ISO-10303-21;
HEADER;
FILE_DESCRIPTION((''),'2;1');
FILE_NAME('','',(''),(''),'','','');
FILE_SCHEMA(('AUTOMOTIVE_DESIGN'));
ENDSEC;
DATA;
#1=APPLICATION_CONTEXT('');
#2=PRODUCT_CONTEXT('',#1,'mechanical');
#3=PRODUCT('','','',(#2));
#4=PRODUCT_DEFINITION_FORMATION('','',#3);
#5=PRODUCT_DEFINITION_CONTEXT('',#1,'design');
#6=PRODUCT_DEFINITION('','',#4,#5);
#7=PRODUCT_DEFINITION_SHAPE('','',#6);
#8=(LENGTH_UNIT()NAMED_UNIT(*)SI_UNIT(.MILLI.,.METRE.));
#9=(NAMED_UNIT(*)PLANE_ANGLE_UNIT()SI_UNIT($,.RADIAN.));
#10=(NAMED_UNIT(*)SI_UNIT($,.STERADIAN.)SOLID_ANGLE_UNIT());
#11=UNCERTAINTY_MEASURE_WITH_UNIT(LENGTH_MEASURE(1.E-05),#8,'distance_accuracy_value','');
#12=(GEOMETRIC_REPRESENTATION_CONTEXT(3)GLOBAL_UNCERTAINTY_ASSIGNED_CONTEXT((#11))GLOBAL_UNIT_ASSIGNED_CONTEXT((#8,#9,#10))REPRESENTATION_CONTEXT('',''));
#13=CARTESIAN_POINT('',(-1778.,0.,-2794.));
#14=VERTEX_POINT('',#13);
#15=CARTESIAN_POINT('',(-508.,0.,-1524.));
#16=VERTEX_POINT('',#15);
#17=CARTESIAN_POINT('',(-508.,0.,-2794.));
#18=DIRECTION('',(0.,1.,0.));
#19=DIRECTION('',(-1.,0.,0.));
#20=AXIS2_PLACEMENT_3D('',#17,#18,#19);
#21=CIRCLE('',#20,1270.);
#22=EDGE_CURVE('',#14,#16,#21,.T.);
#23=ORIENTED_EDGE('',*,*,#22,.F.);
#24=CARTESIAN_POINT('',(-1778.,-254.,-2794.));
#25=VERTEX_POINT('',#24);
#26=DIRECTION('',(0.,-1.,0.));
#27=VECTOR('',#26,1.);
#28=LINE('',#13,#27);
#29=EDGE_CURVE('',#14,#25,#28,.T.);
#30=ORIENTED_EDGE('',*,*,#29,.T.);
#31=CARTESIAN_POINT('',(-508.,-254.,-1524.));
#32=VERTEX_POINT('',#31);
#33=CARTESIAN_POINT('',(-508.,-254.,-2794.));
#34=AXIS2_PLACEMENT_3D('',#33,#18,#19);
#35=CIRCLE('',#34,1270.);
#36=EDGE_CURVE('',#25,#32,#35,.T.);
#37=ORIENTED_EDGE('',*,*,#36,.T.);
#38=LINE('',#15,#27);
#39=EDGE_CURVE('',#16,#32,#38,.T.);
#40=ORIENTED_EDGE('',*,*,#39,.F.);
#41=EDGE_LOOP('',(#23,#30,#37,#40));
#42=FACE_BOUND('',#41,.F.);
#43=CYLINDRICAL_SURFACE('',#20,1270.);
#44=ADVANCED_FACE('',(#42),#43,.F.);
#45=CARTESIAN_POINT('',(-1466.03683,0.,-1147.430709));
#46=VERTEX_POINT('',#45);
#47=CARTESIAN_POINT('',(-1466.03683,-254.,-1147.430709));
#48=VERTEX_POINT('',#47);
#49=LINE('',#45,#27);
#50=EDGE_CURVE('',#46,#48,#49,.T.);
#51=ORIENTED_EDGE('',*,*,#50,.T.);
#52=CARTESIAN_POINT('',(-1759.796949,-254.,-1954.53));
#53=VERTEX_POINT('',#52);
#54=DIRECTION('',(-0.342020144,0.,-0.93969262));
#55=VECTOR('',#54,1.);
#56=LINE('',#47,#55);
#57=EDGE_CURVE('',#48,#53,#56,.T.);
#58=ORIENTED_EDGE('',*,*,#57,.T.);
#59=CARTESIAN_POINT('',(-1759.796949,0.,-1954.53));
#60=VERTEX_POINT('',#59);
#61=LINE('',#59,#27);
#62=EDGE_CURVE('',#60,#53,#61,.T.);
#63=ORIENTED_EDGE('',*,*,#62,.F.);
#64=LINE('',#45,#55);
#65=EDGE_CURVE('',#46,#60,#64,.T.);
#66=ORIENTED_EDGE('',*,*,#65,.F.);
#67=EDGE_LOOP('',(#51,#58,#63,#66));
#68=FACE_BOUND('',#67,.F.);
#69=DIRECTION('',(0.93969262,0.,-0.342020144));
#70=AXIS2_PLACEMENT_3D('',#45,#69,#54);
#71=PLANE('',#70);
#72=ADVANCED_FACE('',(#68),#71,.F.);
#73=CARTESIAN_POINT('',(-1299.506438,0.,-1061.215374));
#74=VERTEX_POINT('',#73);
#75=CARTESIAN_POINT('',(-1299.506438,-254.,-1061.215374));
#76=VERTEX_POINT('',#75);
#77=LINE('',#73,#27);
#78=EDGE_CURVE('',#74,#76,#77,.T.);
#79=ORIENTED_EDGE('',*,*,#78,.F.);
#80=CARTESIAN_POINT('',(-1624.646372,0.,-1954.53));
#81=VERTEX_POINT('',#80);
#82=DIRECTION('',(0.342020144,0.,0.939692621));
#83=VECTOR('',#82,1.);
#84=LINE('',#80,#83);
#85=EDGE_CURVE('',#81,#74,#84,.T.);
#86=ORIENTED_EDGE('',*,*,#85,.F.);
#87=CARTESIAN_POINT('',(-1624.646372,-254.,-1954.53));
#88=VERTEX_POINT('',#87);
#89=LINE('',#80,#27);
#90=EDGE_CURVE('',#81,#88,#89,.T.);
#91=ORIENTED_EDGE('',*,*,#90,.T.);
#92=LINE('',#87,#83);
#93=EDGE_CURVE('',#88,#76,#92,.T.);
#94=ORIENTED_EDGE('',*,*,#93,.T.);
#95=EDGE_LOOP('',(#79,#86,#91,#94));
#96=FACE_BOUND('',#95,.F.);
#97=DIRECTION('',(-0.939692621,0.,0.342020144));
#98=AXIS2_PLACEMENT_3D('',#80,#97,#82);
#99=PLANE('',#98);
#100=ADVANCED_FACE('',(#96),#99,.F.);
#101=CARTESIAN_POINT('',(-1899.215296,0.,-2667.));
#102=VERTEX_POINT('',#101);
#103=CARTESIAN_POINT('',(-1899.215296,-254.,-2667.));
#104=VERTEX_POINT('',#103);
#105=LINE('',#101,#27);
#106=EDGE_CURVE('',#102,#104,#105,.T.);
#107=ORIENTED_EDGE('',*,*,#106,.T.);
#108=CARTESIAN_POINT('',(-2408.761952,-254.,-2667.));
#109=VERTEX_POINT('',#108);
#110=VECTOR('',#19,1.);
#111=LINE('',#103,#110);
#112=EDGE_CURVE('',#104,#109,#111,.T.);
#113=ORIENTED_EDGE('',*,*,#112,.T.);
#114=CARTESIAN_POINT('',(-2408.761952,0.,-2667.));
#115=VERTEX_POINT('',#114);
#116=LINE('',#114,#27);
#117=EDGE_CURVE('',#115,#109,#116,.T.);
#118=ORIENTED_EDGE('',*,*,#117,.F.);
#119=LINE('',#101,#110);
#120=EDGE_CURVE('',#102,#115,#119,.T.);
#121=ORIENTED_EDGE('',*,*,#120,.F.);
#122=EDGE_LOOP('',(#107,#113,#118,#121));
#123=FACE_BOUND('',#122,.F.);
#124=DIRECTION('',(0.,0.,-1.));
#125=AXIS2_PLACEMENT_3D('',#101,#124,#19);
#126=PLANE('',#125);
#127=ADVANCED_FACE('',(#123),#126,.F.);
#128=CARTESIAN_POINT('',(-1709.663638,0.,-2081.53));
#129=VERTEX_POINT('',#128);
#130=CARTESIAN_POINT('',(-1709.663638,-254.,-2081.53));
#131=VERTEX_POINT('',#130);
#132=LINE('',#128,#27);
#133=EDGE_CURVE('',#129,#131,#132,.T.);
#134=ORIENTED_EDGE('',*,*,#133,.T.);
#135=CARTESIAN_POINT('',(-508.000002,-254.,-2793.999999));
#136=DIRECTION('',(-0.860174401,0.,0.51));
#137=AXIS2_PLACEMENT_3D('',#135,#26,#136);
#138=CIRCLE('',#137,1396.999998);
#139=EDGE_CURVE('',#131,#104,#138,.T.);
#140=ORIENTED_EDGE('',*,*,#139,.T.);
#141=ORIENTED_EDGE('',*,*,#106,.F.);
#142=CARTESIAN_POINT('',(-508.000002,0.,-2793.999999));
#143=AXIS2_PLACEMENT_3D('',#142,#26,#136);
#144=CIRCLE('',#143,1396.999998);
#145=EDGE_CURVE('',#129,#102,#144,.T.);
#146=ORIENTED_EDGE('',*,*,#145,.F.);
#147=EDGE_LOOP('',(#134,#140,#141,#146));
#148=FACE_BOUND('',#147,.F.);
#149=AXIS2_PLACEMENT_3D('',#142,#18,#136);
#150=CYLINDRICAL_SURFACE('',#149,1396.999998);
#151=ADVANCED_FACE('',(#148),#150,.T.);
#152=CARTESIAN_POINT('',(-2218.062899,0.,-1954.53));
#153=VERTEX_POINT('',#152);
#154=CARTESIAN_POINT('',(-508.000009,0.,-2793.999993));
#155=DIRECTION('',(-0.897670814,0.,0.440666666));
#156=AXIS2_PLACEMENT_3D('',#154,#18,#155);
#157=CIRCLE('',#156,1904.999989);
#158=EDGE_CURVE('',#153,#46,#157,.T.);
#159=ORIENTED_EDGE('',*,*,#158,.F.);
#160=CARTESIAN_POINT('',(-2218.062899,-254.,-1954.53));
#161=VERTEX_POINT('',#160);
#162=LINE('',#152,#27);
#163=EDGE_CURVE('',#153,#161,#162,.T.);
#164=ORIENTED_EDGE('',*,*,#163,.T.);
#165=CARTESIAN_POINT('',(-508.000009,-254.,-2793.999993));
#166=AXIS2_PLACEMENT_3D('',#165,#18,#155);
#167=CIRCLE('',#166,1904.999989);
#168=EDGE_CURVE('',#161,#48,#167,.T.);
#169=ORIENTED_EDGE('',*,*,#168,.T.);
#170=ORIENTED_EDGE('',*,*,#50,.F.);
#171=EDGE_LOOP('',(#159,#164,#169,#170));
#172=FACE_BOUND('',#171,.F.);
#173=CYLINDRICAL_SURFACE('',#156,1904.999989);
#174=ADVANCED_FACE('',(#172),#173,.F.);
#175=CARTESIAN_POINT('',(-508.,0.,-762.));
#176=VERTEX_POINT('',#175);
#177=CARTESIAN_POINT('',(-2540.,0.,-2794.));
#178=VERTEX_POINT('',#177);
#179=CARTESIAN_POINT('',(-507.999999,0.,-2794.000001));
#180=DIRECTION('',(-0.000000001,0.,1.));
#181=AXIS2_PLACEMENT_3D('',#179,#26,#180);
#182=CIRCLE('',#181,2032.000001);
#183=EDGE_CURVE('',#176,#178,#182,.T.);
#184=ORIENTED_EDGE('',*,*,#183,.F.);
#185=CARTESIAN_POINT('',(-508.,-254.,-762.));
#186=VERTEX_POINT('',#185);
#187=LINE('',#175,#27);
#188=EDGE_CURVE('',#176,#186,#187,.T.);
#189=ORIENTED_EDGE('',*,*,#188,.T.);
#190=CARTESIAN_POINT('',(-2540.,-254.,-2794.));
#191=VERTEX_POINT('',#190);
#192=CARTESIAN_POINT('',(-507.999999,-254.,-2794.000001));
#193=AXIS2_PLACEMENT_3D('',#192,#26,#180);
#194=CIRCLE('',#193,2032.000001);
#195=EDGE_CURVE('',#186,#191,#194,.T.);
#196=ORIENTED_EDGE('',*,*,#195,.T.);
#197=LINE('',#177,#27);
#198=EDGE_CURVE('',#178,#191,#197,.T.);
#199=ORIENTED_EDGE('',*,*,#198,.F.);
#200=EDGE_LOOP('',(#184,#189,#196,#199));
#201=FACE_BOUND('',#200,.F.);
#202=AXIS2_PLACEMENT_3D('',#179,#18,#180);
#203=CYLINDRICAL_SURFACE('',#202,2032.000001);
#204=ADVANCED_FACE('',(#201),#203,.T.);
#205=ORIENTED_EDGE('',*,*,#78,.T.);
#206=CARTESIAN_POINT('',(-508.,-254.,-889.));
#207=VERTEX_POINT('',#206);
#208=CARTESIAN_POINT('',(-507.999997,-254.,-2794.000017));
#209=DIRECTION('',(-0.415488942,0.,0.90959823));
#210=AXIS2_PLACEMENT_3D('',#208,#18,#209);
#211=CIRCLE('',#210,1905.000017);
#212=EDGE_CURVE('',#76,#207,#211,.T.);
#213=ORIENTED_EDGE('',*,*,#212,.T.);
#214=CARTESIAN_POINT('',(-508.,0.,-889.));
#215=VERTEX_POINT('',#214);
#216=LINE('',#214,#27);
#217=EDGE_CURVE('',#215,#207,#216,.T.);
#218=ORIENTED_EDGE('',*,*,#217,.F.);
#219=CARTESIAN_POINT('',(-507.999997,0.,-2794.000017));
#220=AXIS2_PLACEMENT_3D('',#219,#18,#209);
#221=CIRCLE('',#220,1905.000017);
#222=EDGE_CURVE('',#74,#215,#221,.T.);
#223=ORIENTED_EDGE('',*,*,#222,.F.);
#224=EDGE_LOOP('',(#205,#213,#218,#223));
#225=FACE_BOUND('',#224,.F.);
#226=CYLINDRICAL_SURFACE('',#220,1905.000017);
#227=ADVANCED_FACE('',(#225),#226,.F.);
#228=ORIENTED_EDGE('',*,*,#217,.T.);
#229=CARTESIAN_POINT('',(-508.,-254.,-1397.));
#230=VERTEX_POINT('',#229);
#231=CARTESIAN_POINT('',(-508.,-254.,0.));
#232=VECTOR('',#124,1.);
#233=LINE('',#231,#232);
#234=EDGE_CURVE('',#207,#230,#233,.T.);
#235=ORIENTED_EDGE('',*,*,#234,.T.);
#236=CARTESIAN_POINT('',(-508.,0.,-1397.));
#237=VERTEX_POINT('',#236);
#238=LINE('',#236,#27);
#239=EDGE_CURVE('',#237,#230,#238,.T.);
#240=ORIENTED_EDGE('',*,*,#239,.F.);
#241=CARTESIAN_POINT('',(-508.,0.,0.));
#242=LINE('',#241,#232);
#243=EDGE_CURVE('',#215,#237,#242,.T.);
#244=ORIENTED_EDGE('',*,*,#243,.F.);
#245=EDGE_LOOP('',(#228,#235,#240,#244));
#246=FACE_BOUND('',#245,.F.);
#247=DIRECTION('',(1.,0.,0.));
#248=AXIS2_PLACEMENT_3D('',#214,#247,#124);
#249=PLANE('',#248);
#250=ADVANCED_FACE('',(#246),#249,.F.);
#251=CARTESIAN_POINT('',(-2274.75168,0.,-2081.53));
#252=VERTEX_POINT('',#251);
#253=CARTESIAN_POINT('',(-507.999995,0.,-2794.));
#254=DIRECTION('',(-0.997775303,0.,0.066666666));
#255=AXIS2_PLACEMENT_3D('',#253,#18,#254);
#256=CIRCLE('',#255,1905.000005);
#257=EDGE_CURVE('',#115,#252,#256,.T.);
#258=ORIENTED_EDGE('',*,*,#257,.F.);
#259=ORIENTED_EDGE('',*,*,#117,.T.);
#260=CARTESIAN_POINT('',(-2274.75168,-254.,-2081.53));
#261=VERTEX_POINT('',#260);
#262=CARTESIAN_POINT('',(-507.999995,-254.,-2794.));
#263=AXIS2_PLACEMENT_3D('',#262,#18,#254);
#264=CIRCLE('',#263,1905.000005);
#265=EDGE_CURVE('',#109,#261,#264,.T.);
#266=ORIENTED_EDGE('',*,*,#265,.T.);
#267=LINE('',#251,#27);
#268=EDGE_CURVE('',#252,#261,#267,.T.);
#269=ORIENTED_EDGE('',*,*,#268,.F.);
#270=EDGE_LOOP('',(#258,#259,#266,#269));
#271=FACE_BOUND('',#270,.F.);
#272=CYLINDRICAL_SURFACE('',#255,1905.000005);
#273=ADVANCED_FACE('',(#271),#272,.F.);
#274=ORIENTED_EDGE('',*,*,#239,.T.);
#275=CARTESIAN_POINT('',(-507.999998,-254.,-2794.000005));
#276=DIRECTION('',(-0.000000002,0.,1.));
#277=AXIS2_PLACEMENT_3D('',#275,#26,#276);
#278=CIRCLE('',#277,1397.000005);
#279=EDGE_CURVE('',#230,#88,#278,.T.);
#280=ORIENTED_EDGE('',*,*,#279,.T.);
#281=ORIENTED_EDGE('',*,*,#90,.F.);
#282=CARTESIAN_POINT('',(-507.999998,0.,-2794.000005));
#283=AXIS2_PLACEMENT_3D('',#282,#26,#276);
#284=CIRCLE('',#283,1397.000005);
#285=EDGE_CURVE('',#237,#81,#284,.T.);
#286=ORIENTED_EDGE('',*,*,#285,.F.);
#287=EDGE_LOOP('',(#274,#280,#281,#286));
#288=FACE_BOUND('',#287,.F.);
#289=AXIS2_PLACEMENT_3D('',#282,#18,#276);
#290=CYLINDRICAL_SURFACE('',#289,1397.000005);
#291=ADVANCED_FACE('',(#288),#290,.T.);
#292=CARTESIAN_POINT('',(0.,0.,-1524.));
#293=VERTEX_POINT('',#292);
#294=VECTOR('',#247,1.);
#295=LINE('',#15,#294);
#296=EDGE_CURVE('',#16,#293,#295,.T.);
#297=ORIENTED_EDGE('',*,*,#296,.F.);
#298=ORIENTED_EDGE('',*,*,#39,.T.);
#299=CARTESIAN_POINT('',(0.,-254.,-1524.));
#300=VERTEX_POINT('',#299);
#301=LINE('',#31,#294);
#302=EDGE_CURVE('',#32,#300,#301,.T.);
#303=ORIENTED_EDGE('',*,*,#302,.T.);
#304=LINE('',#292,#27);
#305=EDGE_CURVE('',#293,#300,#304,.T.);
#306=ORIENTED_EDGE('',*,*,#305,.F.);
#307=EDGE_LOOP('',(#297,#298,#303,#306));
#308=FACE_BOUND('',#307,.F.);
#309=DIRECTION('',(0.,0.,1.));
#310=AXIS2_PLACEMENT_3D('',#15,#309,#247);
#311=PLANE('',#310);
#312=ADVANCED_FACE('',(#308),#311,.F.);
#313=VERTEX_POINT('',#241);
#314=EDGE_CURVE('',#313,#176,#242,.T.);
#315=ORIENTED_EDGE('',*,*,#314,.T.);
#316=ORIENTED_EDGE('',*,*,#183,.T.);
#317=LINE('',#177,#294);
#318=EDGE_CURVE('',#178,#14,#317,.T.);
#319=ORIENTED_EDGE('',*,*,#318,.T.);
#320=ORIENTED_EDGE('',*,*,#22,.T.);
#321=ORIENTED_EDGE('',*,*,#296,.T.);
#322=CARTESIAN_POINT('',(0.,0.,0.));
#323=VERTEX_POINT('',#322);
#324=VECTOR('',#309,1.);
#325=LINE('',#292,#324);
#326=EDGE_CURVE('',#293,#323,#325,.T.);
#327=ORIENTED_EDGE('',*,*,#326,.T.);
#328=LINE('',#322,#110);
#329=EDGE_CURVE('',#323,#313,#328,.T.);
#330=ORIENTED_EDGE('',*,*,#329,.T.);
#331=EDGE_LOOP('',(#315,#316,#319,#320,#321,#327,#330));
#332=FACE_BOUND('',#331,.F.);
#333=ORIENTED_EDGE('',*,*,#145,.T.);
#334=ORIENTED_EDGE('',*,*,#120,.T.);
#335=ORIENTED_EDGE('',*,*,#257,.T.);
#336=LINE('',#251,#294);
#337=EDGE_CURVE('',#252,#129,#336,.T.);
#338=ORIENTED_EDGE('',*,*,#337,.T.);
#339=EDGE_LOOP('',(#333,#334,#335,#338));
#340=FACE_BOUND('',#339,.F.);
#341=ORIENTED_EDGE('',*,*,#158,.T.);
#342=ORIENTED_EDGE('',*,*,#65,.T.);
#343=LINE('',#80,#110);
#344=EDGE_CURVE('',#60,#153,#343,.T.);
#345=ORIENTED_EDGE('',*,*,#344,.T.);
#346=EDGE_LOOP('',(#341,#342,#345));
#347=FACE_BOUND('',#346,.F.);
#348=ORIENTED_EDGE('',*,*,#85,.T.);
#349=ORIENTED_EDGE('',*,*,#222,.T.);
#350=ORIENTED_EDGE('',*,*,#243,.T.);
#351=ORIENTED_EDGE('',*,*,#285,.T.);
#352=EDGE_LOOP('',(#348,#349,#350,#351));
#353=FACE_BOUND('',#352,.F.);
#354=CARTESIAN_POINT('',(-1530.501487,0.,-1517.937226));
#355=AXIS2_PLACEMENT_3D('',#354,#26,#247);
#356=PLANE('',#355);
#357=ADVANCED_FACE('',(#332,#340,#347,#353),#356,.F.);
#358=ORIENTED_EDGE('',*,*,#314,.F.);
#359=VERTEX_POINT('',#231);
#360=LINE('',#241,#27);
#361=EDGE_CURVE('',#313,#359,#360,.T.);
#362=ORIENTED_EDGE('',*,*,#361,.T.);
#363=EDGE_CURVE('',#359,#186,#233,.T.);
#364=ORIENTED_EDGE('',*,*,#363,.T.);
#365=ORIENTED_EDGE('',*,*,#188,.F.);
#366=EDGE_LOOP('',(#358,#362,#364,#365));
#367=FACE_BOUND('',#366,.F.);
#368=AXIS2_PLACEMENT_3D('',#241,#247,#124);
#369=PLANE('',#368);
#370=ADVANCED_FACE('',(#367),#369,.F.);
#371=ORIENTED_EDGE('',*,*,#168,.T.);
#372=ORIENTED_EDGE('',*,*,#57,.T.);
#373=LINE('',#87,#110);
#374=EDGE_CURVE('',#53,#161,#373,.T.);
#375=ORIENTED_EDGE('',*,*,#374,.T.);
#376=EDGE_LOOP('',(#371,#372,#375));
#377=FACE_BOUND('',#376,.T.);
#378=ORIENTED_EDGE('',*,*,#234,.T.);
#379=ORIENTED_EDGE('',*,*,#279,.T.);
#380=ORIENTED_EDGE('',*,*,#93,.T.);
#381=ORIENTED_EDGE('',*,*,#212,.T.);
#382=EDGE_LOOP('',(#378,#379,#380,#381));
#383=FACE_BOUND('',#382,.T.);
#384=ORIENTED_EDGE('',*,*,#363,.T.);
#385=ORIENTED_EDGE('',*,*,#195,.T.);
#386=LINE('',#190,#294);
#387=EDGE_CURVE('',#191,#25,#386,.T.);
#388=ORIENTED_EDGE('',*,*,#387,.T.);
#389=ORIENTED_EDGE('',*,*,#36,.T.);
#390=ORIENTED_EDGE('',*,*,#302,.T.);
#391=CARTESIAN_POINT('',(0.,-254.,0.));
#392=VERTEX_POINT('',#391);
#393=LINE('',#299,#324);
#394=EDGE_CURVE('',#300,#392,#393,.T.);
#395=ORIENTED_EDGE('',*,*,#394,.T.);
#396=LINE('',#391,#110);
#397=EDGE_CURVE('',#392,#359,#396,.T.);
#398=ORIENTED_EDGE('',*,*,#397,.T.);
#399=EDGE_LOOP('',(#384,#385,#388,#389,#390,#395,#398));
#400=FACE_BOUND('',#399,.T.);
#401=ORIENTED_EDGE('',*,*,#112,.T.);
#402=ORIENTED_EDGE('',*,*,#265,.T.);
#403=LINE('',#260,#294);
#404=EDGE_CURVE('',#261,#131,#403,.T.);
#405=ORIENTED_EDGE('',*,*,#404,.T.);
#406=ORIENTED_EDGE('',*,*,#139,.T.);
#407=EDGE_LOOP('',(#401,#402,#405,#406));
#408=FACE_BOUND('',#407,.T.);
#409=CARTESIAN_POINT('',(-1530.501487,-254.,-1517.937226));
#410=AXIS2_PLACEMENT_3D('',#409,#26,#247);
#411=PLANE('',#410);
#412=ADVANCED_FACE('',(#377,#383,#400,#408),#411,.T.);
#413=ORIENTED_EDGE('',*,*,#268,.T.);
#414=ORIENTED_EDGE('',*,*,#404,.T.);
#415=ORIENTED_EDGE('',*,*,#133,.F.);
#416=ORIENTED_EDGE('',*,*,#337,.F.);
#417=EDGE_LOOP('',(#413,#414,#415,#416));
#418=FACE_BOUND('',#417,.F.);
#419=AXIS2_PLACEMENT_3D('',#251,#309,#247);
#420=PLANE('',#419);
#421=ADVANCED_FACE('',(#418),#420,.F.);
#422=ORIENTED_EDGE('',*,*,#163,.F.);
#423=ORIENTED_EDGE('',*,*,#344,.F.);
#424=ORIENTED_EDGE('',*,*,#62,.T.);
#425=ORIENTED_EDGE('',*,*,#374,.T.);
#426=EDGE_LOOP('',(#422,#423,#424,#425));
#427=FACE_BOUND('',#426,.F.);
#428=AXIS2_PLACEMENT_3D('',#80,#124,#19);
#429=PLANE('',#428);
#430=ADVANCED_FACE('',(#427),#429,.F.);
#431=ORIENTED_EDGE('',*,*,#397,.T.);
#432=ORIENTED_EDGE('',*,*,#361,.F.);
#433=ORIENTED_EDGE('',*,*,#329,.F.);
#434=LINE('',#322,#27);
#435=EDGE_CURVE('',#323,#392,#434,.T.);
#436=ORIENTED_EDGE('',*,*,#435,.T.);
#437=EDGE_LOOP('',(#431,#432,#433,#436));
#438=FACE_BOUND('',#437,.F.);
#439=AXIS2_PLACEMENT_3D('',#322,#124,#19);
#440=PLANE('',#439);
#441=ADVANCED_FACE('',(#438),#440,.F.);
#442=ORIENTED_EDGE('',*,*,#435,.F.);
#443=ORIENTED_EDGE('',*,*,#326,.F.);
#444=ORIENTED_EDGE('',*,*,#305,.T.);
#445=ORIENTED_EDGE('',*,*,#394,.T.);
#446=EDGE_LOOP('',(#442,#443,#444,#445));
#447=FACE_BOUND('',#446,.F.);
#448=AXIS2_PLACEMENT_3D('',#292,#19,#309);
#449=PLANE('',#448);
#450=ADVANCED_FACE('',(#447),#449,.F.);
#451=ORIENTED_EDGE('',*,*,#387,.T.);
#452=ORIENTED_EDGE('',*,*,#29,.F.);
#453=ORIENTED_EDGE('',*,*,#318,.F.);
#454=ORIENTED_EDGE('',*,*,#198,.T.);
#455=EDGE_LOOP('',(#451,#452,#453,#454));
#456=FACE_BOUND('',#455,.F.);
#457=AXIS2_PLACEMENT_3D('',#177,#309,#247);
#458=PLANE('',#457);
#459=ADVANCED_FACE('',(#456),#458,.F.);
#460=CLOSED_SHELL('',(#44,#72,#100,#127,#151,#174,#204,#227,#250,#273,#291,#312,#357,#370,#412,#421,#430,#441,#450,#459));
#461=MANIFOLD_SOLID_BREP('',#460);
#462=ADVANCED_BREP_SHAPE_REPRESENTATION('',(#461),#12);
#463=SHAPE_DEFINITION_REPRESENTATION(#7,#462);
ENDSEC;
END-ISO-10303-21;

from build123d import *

# Parameters (mm, degrees)
F2_DEPTH = 254


with BuildPart() as f2:
    # F0 (on Front) + F1 (on face) → F2 (new body)
    with BuildSketch(Plane.XZ):
        Polygon((0, 0), (-508, 0), (-508, -762), (-508, -889), (-508, -1397), (-508, -1524), (0, -1524), align=None)
        with BuildLine():
            Line((-508, -889), (-508, -762))
            ThreePointArc((-508, -762), (-1944.840979, -1357.159021), (-2540, -2794))
            Line((-2540, -2794), (-2413, -2794))
            ThreePointArc((-2413, -2794), (-2411.940193, -2730.464653), (-2408.761952, -2667))
            ThreePointArc((-2408.761952, -2667), (-2364.975455, -2368.950405), (-2274.75168, -2081.53))
            ThreePointArc((-2274.75168, -2081.53), (-2247.566657, -2017.512495), (-2218.062899, -1954.53))
            ThreePointArc((-2218.062899, -1954.53), (-1901.750824, -1495.35315), (-1466.03683, -1147.430709))
            ThreePointArc((-1466.03683, -1147.430709), (-1383.833137, -1102.272682), (-1299.506438, -1061.215374))
            ThreePointArc((-1299.506438, -1061.215374), (-913.012523, -932.551678), (-508, -889))
        make_face()
        with BuildLine():
            Line((-508, -1524), (-508, -1397))
            ThreePointArc((-508, -1397), (-1132.047037, -1544.130289), (-1624.646372, -1954.53))
            ThreePointArc((-1624.646372, -1954.53), (-1668.893008, -2016.866533), (-1709.663638, -2081.53))
            ThreePointArc((-1709.663638, -2081.53), (-1837.078279, -2363.697864), (-1899.215296, -2667))
            ThreePointArc((-1899.215296, -2667), (-1903.553075, -2730.434162), (-1905, -2794))
            Line((-1905, -2794), (-1778, -2794))
            ThreePointArc((-1778, -2794), (-1406.025612, -1895.974388), (-508, -1524))
        make_face()
        with BuildLine():
            ThreePointArc((-1709.663638, -2081.53), (-1668.893008, -2016.866533), (-1624.646372, -1954.53))
            Line((-1624.646372, -1954.53), (-1759.796949, -1954.53))
            Line((-1759.796949, -1954.53), (-2218.062899, -1954.53))
            ThreePointArc((-2218.062899, -1954.53), (-2247.566657, -2017.512495), (-2274.75168, -2081.53))
            Line((-2274.75168, -2081.53), (-1709.663638, -2081.53))
        make_face()
        with BuildLine():
            ThreePointArc((-2408.761952, -2667), (-2411.940193, -2730.464653), (-2413, -2794))
            Line((-2413, -2794), (-1905, -2794))
            ThreePointArc((-1905, -2794), (-1903.553075, -2730.434162), (-1899.215296, -2667))
            Line((-1899.215296, -2667), (-2408.761952, -2667))
        make_face()
    with BuildSketch(Plane.XZ):
        with BuildLine():
            Line((-1759.796949, -1954.53), (-1624.646372, -1954.53))
            Line((-1624.646372, -1954.53), (-1299.506438, -1061.215374))
            ThreePointArc((-1299.506438, -1061.215374), (-1383.833137, -1102.272682), (-1466.03683, -1147.430709))
            Line((-1466.03683, -1147.430709), (-1759.796949, -1954.53))
        make_face()
    extrude(amount=F2_DEPTH)


solid = f2.part
